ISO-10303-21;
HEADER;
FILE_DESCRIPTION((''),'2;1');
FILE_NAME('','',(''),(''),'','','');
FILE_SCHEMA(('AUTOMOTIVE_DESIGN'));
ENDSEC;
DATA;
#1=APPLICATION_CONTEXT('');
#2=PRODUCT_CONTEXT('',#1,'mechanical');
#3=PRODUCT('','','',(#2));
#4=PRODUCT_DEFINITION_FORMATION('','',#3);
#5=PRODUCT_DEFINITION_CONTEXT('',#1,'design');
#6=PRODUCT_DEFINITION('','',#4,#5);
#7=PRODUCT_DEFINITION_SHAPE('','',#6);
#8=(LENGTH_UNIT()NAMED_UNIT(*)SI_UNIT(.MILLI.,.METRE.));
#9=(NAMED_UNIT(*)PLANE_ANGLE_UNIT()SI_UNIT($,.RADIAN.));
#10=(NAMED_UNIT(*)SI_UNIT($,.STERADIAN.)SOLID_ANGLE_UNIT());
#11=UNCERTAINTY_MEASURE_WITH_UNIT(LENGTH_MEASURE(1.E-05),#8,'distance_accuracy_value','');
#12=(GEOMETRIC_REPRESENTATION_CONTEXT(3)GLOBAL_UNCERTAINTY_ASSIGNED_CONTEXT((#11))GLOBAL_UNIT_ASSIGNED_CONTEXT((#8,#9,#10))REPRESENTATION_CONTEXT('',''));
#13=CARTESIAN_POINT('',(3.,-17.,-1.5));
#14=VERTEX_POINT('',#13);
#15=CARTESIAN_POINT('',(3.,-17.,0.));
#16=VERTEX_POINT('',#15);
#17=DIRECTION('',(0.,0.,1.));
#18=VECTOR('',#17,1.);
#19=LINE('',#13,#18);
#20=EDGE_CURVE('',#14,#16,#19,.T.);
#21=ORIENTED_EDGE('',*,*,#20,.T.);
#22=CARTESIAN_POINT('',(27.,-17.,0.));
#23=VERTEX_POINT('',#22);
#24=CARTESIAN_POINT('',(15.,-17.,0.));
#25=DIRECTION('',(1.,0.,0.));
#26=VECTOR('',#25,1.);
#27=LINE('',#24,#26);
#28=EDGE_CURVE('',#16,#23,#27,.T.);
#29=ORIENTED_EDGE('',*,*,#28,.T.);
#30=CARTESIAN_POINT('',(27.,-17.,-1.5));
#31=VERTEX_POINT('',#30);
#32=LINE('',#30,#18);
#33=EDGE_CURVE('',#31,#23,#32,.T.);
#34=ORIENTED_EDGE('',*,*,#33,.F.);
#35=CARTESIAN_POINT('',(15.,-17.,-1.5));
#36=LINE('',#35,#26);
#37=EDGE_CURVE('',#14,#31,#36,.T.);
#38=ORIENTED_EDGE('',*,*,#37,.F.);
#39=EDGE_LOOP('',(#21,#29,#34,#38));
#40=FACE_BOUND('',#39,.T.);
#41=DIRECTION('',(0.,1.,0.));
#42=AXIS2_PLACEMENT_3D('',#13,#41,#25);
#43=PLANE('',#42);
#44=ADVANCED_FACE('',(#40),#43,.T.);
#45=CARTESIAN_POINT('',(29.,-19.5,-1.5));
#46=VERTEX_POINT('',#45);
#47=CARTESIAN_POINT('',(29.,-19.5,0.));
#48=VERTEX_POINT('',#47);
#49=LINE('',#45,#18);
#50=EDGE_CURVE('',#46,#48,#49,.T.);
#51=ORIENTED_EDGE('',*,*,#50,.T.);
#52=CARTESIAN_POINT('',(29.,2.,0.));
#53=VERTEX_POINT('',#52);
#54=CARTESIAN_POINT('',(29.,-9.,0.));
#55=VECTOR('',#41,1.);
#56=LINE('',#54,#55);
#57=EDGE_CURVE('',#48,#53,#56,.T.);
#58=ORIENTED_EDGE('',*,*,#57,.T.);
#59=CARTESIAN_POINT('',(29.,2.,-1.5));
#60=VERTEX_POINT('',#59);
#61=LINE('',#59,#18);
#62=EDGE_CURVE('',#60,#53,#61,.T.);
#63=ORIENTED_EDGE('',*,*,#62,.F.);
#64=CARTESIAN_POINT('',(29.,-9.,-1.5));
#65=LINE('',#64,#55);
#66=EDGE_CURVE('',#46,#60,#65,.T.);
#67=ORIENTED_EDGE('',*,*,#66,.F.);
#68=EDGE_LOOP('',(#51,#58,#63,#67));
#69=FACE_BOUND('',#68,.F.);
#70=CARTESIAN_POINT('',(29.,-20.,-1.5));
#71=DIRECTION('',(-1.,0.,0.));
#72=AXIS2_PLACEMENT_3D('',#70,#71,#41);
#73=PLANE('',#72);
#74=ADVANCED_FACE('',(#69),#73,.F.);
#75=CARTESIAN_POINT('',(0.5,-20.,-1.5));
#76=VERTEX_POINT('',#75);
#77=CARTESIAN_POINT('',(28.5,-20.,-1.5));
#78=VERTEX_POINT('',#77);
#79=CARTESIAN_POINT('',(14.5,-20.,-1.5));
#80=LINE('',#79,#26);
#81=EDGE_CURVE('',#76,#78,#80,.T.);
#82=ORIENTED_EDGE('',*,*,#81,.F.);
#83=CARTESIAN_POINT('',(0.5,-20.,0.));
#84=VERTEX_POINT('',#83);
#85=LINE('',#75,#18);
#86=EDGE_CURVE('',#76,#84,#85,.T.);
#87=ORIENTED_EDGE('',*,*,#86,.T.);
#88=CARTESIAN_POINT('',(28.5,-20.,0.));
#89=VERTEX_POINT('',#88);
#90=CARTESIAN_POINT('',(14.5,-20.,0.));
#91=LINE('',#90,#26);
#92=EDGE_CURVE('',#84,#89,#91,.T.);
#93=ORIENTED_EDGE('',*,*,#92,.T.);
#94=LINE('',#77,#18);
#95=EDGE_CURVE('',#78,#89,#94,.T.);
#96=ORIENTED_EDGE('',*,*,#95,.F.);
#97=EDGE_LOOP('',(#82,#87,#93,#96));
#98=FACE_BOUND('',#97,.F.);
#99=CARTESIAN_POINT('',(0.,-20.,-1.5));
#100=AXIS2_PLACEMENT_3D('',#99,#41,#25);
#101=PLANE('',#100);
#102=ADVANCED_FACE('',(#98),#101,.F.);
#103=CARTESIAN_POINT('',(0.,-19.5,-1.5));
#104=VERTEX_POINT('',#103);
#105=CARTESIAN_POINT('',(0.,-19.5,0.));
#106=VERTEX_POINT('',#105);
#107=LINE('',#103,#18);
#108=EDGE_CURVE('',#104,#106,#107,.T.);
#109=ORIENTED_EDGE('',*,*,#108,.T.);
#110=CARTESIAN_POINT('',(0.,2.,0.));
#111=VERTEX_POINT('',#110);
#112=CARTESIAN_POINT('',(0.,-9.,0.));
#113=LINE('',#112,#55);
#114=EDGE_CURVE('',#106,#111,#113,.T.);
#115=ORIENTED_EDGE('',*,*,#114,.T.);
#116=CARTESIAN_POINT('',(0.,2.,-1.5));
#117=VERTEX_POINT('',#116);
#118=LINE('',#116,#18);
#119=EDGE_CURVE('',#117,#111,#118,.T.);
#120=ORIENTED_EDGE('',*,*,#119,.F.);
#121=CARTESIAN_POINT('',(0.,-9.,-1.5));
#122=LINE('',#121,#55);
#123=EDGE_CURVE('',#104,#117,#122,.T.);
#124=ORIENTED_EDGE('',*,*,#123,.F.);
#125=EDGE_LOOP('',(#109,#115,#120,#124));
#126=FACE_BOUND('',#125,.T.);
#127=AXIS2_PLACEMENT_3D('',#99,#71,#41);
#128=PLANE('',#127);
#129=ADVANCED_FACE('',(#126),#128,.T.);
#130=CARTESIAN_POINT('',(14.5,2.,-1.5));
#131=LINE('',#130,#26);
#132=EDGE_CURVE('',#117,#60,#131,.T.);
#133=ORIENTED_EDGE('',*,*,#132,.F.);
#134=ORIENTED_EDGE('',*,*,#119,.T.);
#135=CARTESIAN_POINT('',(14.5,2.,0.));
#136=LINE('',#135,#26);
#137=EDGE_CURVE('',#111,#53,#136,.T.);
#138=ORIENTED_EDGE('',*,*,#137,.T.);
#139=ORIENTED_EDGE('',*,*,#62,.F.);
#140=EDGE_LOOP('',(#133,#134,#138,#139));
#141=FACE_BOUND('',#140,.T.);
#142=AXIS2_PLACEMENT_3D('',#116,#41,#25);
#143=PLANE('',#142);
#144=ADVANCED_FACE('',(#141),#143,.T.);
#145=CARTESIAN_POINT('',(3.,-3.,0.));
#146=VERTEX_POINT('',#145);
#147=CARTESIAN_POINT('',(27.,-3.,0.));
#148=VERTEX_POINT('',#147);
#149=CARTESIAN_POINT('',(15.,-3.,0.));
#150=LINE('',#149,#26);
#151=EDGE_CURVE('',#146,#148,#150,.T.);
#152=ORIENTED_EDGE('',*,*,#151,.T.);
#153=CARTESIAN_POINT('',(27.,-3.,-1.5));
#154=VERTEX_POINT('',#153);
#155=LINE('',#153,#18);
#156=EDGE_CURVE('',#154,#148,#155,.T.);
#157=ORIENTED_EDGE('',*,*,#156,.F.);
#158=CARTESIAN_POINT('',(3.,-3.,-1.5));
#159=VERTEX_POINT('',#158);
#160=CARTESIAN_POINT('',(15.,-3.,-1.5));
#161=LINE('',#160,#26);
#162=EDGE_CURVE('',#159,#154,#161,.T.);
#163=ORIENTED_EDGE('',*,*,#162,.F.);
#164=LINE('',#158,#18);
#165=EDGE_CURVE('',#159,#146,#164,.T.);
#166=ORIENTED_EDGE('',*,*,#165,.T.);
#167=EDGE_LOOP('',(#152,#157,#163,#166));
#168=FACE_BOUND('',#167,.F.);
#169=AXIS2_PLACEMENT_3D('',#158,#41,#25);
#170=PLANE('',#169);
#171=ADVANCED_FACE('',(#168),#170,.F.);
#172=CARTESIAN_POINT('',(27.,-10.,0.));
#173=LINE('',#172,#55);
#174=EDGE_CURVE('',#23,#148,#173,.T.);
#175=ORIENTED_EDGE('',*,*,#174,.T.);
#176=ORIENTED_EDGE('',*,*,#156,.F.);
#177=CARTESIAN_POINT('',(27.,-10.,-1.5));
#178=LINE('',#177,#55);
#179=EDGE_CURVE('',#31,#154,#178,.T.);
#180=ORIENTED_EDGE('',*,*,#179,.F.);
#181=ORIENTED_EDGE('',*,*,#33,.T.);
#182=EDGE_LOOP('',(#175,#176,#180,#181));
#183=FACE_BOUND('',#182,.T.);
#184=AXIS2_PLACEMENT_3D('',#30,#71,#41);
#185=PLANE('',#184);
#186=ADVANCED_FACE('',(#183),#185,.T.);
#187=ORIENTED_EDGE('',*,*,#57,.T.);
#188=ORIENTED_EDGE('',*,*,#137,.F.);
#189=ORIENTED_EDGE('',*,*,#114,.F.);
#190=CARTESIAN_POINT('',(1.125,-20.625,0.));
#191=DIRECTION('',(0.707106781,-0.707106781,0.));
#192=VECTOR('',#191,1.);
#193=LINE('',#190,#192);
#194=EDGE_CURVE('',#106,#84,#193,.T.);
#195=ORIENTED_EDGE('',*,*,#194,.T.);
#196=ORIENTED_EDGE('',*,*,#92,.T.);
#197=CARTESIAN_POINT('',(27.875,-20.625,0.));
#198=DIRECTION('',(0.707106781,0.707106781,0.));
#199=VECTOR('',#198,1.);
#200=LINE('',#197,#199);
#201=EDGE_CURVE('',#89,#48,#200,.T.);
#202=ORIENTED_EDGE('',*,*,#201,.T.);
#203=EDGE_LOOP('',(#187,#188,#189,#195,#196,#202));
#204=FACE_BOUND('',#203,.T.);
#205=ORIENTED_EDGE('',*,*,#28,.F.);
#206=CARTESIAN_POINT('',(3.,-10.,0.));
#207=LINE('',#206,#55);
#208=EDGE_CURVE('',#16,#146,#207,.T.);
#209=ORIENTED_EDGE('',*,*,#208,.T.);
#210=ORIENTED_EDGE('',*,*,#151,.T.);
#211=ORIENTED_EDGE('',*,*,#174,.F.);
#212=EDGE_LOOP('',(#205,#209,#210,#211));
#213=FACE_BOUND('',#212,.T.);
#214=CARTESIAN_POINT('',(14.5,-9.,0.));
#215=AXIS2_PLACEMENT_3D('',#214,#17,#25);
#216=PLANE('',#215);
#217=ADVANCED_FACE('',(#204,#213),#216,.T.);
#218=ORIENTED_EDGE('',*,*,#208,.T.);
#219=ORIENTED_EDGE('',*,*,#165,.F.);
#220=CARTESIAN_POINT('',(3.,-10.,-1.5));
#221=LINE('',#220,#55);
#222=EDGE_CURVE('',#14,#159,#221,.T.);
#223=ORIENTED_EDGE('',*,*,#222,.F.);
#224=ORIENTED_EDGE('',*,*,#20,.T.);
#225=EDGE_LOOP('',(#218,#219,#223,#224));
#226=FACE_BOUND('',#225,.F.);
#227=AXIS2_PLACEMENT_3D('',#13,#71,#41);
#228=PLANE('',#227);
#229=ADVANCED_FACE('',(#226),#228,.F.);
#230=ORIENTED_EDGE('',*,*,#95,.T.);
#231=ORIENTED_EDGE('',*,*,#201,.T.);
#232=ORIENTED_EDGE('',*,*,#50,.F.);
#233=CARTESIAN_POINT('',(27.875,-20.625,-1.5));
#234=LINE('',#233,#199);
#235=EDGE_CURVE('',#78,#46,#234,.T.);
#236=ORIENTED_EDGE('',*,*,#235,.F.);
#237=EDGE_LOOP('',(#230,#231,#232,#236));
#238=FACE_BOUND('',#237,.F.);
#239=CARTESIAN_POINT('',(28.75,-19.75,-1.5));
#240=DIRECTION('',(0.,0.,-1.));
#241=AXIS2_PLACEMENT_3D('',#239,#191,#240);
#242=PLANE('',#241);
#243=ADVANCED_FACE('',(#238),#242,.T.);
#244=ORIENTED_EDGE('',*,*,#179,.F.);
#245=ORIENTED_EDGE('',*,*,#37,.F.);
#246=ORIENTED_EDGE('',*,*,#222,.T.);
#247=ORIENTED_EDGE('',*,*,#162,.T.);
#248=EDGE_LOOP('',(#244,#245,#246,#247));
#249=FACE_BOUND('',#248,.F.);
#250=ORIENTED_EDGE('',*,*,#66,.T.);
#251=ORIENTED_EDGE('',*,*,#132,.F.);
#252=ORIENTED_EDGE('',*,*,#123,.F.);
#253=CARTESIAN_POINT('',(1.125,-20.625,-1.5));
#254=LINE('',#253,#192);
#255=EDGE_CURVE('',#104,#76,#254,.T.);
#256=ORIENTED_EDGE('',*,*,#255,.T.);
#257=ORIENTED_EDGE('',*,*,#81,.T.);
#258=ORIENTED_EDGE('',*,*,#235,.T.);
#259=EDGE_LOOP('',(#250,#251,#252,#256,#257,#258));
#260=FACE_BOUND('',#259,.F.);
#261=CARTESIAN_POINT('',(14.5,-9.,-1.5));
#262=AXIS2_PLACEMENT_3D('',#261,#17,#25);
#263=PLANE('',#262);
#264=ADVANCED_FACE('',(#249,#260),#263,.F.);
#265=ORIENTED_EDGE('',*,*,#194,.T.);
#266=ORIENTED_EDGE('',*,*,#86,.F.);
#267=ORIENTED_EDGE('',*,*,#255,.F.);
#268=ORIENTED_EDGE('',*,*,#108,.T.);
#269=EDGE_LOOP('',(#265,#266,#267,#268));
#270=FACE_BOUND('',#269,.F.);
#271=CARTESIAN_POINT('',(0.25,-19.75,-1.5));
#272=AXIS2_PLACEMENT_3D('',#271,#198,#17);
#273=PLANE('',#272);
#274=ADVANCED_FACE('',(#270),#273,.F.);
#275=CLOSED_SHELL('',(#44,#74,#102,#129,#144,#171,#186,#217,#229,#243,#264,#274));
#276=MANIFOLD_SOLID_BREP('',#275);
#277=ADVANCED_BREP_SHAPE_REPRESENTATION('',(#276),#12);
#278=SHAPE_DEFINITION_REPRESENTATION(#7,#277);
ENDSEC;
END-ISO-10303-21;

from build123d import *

# Parameters (mm, degrees)
BOX005_W        = 24
BOX005_H        = 14
BOX005_DEPTH    = 1.5
BOX004_W        = 29
BOX004_H        = 22
BOX004_DEPTH    = 1.5
CHAMFER010_SIZE = 0.5


with BuildPart() as cube005:
    # Box005 → Box005 (new body)
    with BuildSketch(Plane(origin=(3, -17, -2), x_dir=(1, 0, 0), z_dir=(0, 0, 1))):
        with Locations((12, 7)):
            Rectangle(BOX005_W, BOX005_H)
    extrude(amount=BOX005_DEPTH)


with BuildPart() as chamfer010:
    # Box004 → Box004 (new body)
    with BuildSketch(Plane(origin=(0, -20, -2), x_dir=(1, 0, 0), z_dir=(0, 0, 1))):
        with Locations((14.5, 11)):
            Rectangle(BOX004_W, BOX004_H)
    extrude(amount=BOX004_DEPTH)

    # Cut: cut Cube005
    add(cube005.part, mode=Mode.SUBTRACT)


with BuildPart() as chamfer010_1:
    # Cut placement: moved
    add(chamfer010.part.moved(Location((0, 0, 0.5))))

    # Chamfer010
    chamfer010_edges = [chamfer010_1.edges().sort_by_distance(p)[0] for p in [
        (0, -20, -0.75),
        (29, -20, -0.75),
    ]]
    chamfer(chamfer010_edges, length=CHAMFER010_SIZE)


solid = chamfer010_1.part
